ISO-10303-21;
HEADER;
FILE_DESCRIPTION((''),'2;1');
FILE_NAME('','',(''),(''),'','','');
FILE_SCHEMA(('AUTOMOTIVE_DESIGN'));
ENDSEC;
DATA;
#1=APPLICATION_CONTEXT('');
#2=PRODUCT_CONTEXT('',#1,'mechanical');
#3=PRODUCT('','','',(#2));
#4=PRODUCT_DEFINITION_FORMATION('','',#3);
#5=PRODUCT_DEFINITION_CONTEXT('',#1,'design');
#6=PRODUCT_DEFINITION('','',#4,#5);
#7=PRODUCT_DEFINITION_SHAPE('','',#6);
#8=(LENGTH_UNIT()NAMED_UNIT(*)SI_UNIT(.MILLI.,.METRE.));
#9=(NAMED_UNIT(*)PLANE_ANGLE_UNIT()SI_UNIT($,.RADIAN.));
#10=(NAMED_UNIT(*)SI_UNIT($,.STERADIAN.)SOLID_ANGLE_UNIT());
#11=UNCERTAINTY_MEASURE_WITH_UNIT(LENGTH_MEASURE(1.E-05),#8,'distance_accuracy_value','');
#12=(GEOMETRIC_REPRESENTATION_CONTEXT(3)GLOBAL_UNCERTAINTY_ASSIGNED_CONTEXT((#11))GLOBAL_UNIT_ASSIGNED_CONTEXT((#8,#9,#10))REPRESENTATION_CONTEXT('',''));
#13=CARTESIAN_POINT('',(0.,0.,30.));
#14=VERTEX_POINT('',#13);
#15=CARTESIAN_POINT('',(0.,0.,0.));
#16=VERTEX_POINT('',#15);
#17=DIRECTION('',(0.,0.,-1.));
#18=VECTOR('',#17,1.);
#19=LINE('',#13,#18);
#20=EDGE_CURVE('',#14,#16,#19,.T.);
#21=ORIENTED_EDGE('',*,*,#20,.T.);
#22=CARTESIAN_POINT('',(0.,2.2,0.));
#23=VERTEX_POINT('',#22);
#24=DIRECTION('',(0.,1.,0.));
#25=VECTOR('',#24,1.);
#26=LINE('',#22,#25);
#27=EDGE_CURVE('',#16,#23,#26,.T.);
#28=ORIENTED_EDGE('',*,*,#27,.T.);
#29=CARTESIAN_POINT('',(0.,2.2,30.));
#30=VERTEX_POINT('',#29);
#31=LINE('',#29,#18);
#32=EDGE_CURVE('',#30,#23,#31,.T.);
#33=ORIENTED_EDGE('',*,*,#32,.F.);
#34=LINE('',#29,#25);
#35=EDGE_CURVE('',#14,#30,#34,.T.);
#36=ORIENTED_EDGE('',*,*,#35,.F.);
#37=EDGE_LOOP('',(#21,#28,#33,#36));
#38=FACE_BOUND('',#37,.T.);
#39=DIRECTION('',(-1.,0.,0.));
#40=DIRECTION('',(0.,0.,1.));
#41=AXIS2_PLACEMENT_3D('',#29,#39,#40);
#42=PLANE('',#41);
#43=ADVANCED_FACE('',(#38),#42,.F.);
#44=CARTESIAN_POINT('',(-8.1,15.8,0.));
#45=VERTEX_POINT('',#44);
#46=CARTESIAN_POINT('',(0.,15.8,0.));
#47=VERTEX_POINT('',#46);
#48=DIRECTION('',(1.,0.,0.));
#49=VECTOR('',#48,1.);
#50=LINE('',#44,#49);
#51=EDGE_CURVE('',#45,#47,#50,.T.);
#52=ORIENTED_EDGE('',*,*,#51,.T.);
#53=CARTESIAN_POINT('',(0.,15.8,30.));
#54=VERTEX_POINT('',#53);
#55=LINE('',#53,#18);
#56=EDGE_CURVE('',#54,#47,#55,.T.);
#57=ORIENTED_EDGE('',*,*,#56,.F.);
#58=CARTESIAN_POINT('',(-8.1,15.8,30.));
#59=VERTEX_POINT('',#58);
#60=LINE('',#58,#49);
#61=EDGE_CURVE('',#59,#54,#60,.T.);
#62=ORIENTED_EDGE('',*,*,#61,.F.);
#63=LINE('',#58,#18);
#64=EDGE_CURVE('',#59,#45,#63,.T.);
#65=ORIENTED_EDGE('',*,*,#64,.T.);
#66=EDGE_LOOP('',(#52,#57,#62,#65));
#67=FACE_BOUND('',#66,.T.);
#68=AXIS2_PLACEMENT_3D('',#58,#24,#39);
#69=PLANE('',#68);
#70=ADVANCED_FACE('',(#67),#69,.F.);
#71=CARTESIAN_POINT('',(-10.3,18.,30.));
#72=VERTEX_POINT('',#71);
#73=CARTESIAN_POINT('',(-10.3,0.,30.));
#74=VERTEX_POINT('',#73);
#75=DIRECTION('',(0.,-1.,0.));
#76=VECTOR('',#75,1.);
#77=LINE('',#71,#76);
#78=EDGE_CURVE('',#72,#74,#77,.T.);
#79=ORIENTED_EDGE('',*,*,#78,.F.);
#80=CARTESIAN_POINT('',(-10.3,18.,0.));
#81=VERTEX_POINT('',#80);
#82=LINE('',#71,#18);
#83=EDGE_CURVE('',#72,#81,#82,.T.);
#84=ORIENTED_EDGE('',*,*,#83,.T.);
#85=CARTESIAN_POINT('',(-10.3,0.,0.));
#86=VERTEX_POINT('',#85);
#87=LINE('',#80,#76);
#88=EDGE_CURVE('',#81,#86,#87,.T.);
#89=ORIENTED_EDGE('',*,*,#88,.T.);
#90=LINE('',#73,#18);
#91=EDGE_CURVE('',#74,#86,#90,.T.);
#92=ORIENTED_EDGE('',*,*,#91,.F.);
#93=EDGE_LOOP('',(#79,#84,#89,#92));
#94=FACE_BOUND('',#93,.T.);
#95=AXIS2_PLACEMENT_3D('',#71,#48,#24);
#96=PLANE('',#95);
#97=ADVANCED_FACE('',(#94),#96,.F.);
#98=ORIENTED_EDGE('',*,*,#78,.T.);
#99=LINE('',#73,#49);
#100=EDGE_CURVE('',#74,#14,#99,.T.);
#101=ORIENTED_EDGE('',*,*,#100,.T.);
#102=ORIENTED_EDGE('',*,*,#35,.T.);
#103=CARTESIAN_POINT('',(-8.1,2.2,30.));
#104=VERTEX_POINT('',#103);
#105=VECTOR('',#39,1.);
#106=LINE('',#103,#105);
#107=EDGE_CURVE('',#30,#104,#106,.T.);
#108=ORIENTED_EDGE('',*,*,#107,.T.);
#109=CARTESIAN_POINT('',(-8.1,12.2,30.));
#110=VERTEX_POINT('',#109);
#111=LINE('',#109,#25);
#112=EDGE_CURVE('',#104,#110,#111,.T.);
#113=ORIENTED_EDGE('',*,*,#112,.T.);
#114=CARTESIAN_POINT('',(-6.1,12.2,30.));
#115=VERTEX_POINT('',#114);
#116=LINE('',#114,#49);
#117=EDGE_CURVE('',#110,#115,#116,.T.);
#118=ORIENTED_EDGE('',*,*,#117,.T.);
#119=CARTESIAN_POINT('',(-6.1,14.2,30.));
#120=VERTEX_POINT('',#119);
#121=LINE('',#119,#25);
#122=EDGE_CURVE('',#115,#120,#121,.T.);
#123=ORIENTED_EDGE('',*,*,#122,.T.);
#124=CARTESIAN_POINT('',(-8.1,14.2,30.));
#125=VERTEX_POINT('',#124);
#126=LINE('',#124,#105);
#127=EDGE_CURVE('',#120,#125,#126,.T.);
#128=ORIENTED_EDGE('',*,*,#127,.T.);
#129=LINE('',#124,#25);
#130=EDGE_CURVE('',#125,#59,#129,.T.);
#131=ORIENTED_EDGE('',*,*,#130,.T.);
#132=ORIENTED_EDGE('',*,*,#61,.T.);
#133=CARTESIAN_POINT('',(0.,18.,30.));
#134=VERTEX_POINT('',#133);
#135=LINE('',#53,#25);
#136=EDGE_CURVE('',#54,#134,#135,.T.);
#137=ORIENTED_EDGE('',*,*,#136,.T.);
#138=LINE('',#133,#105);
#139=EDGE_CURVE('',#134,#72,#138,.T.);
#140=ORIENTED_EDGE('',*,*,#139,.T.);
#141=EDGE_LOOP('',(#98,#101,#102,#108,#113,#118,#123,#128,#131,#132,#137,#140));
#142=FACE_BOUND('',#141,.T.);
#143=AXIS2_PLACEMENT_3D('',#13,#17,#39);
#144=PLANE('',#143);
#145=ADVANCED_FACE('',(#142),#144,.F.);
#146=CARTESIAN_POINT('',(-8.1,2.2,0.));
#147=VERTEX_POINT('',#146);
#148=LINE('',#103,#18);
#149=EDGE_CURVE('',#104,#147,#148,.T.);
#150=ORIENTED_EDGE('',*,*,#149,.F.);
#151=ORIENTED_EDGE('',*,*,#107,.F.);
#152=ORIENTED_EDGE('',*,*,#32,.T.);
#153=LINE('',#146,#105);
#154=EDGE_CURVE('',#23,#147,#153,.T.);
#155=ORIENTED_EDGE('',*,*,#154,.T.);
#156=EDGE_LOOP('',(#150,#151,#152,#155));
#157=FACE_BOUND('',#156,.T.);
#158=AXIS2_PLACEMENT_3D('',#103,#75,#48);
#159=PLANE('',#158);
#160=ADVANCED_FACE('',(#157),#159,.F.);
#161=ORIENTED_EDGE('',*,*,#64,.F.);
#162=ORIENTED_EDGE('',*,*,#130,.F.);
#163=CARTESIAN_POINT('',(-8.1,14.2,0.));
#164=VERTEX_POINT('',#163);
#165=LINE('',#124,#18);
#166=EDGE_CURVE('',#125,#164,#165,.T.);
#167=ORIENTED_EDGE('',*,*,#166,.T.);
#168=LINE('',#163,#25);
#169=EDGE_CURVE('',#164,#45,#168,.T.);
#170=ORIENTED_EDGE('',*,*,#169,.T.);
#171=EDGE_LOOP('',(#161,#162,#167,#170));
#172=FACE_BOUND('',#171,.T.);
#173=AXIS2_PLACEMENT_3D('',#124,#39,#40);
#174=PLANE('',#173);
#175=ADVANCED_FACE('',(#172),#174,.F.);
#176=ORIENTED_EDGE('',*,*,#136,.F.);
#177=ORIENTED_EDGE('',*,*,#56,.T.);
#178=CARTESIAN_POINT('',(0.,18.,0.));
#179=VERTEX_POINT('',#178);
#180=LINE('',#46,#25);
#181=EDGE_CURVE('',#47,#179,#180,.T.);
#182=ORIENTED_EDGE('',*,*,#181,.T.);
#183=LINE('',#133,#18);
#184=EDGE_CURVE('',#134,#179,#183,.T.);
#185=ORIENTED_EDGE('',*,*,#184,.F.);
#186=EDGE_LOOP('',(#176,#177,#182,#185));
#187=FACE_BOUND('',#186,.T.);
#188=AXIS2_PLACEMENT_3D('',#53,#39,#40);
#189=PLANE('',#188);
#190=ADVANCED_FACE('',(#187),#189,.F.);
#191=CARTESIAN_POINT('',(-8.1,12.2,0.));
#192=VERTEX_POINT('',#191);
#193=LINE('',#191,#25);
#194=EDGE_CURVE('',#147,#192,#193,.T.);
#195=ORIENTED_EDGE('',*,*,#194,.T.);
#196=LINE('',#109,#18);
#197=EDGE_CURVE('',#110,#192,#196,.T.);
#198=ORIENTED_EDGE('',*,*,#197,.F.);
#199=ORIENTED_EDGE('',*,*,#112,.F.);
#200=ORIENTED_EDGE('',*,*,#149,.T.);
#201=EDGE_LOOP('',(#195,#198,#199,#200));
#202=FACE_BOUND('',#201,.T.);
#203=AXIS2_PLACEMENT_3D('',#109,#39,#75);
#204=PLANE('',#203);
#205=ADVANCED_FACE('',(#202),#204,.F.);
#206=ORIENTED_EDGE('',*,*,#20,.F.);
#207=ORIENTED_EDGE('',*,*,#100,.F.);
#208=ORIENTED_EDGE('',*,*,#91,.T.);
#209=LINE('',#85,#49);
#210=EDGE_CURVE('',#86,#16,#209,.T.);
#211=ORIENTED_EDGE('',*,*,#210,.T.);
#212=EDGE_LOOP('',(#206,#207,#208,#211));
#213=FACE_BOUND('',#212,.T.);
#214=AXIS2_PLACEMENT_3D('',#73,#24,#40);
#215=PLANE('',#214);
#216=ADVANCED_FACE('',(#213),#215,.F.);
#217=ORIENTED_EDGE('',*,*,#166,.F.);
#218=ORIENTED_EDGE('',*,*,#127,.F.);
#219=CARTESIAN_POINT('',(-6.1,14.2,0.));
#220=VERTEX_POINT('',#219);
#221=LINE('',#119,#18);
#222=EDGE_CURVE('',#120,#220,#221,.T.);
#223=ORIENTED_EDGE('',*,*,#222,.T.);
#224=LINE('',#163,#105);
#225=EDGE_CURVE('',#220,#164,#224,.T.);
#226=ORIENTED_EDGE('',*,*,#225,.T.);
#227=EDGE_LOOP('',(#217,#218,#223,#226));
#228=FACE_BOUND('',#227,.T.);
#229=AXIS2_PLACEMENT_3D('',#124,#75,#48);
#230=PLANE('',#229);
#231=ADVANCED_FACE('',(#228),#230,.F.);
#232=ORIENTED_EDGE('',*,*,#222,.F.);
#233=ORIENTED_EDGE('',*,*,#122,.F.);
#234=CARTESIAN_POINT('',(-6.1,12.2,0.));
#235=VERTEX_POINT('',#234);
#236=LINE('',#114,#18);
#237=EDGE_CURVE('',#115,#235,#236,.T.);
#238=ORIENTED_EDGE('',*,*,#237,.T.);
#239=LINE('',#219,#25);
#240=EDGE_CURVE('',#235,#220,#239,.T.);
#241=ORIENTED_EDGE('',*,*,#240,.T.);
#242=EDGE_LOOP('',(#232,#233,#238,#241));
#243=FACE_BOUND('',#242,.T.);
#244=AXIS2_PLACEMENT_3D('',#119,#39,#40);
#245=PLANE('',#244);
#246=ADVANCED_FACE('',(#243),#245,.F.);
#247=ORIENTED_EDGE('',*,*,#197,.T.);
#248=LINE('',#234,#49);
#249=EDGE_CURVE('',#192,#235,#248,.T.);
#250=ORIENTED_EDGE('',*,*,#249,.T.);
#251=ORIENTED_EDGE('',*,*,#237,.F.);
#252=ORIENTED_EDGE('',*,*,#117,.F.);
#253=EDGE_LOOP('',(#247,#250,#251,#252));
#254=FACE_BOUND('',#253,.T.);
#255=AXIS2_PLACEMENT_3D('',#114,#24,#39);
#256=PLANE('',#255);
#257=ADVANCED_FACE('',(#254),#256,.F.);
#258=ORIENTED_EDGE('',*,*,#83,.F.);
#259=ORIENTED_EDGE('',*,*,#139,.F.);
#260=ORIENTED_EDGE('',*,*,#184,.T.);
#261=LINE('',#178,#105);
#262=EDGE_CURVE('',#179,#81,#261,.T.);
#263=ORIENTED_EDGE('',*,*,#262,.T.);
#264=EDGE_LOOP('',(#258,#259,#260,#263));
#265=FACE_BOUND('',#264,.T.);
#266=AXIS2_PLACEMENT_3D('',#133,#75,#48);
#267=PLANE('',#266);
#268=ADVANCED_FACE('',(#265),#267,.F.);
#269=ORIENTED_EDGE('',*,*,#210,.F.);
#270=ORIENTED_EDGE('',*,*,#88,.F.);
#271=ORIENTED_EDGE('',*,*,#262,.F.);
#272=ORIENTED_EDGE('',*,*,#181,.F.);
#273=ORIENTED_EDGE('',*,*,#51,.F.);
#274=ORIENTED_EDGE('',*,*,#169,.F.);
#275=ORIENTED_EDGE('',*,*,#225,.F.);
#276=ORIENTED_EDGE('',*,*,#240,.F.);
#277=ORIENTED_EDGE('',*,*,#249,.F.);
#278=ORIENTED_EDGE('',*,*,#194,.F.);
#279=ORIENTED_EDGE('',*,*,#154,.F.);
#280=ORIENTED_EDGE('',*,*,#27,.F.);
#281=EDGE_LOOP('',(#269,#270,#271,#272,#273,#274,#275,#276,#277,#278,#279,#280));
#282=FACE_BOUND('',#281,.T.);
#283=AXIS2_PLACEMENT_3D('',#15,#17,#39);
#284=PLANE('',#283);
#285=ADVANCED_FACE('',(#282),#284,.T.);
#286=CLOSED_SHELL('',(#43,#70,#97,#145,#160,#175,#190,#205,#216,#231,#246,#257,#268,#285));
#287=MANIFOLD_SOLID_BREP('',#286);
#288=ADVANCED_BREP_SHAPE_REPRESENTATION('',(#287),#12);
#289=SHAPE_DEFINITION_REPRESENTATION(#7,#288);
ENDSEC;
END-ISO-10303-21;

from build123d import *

# Parameters (mm, degrees)
BOSS_EXTRUDE1_DEPTH = 30


with BuildPart() as part:
    # Sketch1 → Boss-Extrude1 (new body)
    with BuildSketch(Plane.XY):
        Polygon((-8.1, 14.2), (-6.1, 14.2), (-6.1, 12.2), (-8.1, 12.2), (-8.1, 2.2), (0, 2.2), (0, 0), (-10.3, 0), (-10.3, 18), (0, 18), (0, 15.8), (-8.1, 15.8), align=None)
    extrude(amount=BOSS_EXTRUDE1_DEPTH)


solid = part.part
